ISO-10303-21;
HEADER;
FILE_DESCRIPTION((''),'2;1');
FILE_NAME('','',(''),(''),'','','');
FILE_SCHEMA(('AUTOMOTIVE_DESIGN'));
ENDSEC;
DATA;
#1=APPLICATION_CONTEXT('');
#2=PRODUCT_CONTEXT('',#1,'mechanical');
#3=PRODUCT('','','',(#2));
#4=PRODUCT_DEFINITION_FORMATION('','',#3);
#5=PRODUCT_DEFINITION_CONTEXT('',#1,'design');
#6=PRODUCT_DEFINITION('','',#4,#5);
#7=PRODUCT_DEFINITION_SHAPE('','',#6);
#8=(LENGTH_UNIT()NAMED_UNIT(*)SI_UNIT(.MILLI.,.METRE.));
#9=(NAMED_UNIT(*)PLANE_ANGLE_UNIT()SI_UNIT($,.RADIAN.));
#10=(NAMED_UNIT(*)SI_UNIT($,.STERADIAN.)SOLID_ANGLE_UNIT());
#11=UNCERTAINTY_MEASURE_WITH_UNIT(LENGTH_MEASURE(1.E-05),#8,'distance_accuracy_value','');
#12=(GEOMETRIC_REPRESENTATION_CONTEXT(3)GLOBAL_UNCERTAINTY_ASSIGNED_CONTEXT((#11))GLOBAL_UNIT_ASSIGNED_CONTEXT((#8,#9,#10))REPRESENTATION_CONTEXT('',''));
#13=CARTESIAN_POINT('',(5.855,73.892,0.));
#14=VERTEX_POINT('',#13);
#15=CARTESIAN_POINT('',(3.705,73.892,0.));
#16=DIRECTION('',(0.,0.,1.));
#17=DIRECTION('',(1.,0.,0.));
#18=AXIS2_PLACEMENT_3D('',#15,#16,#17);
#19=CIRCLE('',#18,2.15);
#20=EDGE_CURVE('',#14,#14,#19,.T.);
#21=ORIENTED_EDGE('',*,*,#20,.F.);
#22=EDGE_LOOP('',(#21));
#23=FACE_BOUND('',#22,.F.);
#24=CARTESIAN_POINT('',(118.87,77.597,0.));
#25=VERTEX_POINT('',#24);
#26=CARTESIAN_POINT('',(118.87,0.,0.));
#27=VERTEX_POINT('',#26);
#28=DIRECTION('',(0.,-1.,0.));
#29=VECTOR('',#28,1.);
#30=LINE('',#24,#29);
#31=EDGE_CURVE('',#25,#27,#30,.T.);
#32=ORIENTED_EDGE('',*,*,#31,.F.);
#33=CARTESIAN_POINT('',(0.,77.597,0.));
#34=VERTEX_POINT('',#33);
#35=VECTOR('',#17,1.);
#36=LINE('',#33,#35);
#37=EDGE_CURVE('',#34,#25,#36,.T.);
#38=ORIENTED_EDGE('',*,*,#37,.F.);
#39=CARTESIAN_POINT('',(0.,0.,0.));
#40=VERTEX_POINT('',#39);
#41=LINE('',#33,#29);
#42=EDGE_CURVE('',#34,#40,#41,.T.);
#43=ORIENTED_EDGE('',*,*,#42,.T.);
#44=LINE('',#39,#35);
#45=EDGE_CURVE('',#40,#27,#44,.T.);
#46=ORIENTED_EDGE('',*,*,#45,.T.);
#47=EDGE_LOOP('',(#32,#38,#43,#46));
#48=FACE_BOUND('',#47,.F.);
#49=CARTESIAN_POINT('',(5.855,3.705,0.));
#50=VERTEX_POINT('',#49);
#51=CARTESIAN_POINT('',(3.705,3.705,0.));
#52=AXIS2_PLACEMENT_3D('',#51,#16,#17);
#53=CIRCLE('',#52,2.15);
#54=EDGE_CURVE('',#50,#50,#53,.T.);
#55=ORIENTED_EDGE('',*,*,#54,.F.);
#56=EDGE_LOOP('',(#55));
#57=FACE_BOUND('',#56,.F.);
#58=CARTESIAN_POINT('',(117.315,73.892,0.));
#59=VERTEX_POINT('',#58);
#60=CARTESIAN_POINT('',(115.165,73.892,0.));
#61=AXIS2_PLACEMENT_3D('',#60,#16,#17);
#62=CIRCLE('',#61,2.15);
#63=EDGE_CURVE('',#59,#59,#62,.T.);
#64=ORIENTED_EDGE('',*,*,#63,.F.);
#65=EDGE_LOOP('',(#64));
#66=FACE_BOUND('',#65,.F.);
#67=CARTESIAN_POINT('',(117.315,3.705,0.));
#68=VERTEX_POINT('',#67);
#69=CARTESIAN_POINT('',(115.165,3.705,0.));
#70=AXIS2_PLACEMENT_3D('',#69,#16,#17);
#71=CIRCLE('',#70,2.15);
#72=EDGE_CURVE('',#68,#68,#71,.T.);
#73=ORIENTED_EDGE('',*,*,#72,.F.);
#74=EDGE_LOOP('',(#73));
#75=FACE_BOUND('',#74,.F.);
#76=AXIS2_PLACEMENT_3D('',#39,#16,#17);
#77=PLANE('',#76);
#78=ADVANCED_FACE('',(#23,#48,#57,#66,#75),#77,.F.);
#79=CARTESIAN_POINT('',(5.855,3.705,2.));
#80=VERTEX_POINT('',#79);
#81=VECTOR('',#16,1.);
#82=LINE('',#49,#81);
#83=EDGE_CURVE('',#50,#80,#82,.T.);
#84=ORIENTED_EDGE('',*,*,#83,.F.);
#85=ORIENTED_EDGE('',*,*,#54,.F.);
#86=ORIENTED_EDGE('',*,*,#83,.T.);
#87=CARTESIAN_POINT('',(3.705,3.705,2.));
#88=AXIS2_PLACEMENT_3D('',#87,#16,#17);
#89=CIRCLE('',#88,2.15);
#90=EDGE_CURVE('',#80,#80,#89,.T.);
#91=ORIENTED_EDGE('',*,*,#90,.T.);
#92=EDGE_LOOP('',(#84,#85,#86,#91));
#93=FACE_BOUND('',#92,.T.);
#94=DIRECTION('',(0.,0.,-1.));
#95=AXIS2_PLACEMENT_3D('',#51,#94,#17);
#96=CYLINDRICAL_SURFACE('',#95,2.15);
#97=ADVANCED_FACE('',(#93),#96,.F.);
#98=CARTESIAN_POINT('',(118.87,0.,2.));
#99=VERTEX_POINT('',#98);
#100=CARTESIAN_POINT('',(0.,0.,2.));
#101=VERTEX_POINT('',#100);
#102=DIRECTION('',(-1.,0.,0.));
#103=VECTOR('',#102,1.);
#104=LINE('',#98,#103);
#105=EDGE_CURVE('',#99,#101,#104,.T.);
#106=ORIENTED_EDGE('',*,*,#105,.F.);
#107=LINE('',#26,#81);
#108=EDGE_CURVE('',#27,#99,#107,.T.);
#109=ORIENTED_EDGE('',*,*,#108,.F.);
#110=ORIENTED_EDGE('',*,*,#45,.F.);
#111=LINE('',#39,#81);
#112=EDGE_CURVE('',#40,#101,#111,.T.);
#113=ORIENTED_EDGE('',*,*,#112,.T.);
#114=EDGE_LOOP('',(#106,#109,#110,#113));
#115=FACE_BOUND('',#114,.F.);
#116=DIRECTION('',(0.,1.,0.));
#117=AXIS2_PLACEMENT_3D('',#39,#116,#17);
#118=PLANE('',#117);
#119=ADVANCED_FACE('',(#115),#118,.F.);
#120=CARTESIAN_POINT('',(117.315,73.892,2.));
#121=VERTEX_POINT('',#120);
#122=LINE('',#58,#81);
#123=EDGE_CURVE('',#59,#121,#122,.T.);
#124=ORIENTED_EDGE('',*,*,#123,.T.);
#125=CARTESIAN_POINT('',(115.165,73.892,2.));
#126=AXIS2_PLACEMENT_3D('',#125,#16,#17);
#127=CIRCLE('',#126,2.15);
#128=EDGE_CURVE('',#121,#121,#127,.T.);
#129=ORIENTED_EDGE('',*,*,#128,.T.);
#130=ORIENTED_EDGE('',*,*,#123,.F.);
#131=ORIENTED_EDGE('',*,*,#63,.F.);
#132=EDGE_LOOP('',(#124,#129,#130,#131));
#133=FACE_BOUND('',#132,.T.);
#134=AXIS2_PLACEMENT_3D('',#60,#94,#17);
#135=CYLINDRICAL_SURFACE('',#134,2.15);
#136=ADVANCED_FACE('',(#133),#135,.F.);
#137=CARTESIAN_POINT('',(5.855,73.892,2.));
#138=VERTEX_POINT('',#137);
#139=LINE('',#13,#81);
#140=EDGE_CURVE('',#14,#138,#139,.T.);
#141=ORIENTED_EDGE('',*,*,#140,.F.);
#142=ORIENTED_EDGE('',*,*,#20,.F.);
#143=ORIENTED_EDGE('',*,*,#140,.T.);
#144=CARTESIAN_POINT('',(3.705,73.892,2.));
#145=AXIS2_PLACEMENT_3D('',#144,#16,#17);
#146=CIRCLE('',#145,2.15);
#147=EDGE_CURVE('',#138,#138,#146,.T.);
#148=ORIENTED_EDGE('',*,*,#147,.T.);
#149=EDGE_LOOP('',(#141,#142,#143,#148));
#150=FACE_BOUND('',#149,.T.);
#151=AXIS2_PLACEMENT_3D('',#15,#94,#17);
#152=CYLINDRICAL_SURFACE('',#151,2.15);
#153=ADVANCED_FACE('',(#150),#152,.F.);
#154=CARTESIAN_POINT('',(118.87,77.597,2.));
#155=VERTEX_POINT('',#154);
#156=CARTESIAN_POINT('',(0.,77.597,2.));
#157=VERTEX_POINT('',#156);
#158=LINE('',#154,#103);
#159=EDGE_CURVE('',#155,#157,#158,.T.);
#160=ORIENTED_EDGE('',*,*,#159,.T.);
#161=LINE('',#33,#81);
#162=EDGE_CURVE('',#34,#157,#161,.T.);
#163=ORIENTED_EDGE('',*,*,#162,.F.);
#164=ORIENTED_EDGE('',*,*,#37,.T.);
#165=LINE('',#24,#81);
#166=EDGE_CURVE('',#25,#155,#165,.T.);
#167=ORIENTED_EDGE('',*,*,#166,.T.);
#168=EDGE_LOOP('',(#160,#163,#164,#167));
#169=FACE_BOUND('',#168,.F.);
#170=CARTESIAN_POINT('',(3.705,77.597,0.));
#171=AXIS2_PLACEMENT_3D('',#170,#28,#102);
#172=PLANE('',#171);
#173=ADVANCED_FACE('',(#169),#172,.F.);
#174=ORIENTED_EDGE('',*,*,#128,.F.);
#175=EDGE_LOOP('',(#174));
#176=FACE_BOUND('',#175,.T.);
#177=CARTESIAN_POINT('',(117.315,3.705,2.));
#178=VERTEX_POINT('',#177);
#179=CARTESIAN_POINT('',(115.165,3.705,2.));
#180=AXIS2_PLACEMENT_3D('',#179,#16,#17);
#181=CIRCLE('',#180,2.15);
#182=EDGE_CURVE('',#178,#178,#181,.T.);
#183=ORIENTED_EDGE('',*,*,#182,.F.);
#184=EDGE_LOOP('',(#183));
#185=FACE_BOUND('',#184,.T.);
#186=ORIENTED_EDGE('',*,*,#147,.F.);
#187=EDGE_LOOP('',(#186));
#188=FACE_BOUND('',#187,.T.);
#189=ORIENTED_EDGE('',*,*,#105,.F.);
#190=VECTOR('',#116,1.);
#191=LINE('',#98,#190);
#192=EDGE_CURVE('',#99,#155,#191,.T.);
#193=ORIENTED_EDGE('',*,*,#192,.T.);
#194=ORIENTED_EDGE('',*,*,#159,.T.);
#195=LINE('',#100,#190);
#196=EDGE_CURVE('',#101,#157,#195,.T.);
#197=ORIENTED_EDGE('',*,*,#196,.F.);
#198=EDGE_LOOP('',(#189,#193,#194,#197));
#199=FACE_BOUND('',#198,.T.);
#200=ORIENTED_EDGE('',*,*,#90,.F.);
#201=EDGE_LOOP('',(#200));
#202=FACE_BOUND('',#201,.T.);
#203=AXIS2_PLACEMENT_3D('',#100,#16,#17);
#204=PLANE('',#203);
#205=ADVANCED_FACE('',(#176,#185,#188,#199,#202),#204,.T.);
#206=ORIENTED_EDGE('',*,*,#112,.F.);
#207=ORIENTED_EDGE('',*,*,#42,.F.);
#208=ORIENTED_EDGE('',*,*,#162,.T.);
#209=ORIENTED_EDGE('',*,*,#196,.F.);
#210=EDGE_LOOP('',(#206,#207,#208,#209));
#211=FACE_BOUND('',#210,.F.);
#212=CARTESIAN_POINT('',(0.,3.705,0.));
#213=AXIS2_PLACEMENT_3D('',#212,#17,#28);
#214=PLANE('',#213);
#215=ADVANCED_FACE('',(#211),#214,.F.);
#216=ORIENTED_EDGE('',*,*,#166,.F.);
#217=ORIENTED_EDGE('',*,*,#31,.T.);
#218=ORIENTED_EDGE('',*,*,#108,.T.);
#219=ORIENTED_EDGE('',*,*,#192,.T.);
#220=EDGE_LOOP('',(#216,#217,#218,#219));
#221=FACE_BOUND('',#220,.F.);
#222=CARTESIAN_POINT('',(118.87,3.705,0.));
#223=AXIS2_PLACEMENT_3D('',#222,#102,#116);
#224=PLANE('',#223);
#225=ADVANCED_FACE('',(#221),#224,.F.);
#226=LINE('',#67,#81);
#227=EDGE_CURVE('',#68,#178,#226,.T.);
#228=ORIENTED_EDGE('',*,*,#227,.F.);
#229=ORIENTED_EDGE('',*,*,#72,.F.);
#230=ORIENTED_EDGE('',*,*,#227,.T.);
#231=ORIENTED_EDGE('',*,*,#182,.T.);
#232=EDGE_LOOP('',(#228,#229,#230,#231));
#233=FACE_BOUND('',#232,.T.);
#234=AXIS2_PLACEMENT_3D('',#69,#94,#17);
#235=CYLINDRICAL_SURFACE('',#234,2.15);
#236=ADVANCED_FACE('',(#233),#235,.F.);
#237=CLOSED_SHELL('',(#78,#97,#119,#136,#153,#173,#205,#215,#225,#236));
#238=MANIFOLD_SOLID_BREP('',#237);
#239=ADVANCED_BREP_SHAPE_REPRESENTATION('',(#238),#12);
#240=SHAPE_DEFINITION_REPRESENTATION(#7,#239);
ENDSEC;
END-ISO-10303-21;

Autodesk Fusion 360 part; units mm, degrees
sketch "Sketch1" plane through (0, 0, 0) normal (0, 0, 1) x (1, 0, 0)
  line L0 (0, 0) -> (118.87, 0)
  line L1 (118.87, 0) -> (118.87, 77.597)
  line L2 (118.87, 77.597) -> (0, 77.597)
  line L3 (0, 77.597) -> (0, 0)
  circle A0 centre (3.705, 73.892) radius 3.705
  circle A1 centre (3.705, 73.892) radius 2.15
  circle A2 centre (115.165, 73.892) radius 2.15
  circle A3 centre (115.165, 73.892) radius 3.705
  circle A4 centre (115.165, 3.705) radius 3.705
  circle A5 centre (115.165, 3.705) radius 2.15
  circle A6 centre (3.705, 3.705) radius 3.705
  circle A7 centre (3.705, 3.705) radius 2.15
  dimension "d1" = 118.87
  dimension "d2" = 77.597
  dimension "d21" = 3.705
  dimension "d22" = 4.3
extrude "Extrude3" add sketch "Sketch1" along normal blind 2
